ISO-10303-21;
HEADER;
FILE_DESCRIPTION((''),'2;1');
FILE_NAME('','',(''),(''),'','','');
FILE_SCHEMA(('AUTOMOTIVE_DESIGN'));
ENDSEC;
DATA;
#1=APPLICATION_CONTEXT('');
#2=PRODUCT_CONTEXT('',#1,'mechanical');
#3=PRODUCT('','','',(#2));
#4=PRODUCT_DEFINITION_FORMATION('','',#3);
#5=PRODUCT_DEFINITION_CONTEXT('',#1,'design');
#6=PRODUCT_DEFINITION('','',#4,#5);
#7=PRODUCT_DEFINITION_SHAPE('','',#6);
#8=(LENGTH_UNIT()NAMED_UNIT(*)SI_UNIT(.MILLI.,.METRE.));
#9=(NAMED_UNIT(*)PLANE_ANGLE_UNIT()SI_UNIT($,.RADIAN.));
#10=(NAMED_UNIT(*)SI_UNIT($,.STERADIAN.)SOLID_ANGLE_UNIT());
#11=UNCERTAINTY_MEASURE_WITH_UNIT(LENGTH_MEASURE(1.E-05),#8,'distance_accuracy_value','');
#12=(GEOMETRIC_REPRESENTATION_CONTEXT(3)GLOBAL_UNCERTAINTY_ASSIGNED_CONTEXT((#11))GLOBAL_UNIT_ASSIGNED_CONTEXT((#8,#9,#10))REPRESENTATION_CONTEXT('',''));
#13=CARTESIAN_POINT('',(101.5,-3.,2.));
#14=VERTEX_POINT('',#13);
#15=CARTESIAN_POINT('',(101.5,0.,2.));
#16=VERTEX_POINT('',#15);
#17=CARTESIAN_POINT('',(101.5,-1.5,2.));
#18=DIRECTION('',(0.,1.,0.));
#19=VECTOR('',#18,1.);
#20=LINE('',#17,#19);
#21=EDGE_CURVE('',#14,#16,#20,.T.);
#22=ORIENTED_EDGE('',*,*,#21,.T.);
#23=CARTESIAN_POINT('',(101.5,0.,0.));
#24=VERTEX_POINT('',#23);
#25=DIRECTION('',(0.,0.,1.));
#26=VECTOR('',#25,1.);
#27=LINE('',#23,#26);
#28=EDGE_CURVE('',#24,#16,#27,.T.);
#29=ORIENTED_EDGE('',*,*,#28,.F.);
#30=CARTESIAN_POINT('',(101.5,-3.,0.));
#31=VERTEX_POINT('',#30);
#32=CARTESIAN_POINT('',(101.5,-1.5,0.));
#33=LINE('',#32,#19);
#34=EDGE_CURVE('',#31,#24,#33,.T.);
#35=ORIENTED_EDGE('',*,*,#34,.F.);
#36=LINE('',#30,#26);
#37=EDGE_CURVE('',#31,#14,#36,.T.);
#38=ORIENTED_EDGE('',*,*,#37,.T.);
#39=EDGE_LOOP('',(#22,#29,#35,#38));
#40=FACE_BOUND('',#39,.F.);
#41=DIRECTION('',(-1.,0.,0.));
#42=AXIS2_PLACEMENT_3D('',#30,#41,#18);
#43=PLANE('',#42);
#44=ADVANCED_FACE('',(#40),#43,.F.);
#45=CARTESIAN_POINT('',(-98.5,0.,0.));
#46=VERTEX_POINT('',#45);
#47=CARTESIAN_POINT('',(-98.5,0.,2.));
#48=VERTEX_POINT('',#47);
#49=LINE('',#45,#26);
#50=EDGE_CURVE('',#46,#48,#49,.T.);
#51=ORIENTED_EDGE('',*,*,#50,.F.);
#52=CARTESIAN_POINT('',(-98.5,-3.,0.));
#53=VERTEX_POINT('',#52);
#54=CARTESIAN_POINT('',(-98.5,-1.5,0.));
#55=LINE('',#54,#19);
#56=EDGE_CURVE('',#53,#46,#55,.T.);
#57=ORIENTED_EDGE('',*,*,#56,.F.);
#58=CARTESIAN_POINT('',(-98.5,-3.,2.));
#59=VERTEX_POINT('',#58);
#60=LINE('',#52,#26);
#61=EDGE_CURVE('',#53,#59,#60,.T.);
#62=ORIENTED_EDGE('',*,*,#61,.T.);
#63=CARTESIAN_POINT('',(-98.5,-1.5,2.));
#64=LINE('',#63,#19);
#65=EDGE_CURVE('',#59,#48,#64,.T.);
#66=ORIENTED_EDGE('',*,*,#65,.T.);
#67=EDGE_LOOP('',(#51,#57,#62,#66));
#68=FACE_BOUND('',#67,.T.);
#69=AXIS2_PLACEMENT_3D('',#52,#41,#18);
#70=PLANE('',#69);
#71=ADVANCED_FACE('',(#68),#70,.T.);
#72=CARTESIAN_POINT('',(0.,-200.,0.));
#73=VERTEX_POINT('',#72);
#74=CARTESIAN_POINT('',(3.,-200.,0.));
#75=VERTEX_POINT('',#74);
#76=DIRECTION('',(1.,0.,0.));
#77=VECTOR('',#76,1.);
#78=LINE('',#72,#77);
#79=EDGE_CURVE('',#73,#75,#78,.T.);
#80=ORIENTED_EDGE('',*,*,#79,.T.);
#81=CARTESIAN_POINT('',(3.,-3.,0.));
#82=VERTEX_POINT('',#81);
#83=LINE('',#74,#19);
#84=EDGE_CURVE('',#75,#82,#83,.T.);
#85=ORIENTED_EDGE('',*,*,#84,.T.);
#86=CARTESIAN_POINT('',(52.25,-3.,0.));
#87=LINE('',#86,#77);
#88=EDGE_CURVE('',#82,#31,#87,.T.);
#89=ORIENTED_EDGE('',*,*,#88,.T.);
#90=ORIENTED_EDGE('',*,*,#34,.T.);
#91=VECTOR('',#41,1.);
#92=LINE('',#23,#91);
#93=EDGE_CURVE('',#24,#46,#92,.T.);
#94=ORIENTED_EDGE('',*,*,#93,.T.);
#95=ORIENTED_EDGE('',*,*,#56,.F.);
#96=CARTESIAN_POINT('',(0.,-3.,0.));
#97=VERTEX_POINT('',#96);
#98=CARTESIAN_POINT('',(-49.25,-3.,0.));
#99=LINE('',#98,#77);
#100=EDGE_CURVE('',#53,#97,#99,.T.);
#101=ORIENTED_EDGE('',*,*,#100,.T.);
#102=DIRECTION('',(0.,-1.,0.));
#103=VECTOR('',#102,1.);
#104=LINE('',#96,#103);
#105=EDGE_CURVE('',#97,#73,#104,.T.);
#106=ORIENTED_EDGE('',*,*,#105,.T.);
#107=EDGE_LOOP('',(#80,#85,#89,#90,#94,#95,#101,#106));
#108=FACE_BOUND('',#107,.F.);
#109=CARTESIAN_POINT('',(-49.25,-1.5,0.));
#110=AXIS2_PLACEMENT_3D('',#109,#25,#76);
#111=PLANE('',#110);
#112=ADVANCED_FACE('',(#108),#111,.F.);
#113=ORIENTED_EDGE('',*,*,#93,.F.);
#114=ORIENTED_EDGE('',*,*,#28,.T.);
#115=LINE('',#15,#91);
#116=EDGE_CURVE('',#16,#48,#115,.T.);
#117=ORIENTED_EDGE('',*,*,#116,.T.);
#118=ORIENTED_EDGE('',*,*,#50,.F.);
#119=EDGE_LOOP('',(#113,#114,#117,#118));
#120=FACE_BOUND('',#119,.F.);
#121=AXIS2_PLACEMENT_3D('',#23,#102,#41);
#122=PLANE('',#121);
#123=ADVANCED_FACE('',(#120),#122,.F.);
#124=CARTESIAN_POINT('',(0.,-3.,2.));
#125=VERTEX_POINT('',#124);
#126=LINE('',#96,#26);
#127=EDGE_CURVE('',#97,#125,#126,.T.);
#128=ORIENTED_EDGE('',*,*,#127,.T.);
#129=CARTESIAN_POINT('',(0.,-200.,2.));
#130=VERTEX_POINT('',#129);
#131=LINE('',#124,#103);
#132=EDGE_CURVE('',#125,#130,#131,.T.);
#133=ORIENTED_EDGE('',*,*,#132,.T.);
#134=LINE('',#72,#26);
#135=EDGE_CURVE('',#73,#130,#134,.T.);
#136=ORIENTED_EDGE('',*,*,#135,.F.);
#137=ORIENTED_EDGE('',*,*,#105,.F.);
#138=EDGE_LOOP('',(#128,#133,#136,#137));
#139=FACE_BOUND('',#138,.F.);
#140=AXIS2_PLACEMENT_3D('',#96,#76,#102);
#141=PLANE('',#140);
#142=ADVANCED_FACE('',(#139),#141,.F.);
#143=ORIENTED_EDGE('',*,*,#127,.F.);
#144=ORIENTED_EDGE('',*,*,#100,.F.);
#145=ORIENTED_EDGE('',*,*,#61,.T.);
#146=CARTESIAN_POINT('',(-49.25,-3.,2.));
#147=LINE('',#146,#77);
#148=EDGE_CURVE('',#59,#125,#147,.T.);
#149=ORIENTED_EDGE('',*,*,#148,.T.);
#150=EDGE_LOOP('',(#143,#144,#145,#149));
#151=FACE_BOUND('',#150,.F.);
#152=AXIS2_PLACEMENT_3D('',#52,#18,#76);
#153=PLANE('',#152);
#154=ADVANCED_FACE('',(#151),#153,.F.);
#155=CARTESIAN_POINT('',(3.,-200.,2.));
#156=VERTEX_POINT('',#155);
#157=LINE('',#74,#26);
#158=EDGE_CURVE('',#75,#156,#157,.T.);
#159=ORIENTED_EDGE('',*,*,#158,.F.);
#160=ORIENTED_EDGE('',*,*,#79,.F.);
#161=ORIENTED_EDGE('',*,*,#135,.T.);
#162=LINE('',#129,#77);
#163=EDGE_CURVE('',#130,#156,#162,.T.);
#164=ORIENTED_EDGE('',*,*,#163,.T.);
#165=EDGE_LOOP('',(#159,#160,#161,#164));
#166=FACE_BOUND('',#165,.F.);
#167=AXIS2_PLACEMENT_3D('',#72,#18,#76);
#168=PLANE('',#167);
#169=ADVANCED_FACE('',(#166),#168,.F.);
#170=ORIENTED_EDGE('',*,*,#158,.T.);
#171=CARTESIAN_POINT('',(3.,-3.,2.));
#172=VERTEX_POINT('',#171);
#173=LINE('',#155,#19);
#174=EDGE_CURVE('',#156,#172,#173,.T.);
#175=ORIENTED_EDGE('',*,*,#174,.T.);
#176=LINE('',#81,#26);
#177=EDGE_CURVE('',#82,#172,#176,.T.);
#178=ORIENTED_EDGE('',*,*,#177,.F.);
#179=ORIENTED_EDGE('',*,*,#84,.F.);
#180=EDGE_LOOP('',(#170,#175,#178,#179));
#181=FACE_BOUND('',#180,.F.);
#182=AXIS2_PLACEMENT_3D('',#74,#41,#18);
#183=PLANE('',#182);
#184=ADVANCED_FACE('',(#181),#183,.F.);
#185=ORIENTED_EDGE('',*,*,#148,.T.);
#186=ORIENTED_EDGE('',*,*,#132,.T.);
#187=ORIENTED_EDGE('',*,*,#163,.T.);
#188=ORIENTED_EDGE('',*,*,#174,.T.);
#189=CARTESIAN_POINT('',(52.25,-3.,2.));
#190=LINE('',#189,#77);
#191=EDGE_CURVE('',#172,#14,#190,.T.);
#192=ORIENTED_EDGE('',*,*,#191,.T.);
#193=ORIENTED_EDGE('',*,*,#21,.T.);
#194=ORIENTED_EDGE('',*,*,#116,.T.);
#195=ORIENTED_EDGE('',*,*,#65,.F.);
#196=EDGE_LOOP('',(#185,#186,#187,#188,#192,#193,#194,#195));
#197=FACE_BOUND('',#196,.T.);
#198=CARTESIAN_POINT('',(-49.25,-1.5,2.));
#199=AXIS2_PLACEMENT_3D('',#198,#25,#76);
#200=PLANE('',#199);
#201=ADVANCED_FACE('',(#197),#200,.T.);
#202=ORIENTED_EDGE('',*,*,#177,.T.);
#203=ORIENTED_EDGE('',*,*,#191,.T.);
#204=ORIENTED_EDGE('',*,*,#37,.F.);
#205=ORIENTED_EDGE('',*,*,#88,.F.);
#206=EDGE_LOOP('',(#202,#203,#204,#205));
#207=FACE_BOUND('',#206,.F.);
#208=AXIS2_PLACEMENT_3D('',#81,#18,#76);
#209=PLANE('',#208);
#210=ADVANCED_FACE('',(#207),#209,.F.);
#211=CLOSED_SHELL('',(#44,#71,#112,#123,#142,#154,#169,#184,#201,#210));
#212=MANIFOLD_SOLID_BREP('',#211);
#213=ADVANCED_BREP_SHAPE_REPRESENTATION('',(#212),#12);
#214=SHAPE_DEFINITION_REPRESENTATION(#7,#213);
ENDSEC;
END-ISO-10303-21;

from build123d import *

# Parameters (mm, degrees)
F0_W     = 98.5
F0_H     = 3
F1_DEPTH = 2


with BuildPart() as f1:
    # F0 (on Top) → F1 (new body)
    with BuildSketch(Plane.XY):
        with Locations((-49.25, -1.5)):
            Rectangle(F0_W, F0_H)
        Polygon((3, 0), (0, 0), (0, -3), (0, -200), (3, -200), (3, -3), align=None)
        with Locations((52.25, -1.5)):
            Rectangle(F0_W, F0_H)
    extrude(amount=F1_DEPTH)


solid = f1.part
